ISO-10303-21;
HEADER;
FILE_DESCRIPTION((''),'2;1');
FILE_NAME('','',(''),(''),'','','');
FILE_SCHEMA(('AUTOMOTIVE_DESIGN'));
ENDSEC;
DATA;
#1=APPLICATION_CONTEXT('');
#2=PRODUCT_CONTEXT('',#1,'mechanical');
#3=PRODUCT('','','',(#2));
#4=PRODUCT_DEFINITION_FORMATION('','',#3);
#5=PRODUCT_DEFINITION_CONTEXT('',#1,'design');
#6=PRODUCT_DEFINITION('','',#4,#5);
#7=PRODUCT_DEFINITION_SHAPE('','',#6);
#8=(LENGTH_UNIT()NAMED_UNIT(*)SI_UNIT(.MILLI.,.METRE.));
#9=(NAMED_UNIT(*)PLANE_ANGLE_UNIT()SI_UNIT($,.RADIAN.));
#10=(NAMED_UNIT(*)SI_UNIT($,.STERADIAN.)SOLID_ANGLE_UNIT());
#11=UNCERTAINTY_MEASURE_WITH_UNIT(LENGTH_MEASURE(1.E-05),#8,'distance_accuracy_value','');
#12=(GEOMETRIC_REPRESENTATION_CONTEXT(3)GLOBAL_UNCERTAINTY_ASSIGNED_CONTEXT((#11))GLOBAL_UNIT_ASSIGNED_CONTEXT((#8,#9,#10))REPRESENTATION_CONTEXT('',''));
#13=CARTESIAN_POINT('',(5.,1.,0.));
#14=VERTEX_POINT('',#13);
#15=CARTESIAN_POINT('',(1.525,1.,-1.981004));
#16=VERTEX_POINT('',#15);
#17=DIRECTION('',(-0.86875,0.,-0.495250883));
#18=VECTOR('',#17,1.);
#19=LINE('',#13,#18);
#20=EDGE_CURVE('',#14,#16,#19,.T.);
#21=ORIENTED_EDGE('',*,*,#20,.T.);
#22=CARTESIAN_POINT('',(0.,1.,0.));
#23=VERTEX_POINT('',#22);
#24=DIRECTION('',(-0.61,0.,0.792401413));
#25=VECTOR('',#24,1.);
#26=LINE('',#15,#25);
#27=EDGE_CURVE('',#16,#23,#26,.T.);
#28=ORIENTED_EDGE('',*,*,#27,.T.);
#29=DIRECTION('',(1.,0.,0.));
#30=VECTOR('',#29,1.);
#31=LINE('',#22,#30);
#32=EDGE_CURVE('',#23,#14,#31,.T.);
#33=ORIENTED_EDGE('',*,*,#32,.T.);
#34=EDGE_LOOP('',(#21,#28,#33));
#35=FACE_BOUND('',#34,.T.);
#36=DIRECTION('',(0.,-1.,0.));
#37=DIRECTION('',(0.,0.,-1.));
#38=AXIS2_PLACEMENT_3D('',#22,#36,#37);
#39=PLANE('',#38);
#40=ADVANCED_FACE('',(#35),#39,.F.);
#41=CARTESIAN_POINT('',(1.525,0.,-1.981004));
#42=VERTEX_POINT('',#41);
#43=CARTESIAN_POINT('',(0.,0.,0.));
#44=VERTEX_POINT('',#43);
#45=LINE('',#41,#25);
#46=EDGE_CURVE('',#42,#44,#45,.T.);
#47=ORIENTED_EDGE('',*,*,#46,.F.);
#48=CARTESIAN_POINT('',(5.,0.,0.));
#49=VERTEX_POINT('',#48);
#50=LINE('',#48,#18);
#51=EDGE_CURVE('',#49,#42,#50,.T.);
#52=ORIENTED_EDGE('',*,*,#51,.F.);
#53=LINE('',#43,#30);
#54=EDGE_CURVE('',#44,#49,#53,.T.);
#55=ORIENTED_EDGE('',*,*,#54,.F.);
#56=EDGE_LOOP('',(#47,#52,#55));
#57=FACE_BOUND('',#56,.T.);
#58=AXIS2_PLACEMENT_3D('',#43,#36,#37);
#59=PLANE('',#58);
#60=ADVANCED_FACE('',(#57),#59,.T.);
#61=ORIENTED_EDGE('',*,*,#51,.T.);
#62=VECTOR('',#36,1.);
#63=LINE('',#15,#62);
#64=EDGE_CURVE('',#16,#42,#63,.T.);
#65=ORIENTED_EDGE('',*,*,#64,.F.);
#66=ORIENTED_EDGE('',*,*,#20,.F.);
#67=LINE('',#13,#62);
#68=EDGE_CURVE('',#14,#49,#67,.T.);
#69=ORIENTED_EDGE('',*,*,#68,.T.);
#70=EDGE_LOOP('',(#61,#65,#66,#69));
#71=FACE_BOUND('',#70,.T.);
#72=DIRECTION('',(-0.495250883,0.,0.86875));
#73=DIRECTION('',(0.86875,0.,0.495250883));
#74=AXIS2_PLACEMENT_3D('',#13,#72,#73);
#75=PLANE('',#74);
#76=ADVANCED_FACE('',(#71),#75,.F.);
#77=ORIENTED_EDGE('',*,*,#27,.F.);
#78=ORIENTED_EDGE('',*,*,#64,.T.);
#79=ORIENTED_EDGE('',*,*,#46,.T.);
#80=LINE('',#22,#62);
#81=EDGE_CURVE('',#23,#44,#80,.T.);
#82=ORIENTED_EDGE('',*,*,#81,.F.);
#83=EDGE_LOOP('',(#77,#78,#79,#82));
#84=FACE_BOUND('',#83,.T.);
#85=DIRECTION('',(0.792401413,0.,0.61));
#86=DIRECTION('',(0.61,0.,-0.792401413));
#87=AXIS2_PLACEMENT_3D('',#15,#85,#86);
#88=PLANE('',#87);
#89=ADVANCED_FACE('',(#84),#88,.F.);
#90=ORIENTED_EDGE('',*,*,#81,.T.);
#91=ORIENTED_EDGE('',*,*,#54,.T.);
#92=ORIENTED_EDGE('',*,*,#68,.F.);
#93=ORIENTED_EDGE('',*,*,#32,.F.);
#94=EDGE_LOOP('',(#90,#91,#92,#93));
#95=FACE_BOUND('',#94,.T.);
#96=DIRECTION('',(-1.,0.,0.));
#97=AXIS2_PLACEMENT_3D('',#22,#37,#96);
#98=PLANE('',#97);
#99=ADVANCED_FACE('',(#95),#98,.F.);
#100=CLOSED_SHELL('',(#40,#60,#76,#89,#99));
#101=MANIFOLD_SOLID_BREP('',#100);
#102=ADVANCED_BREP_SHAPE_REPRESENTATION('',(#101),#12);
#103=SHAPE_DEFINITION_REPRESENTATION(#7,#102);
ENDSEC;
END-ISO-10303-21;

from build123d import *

# Parameters (mm, degrees)
BOSS_EXTRUDE1_DEPTH = 1


with BuildPart() as part:
    # Sketch2 → Boss-Extrude1 (new body)
    with BuildSketch(Plane(origin=(0, 0, 0), x_dir=(1, 0, 0), z_dir=(0, 1, 0))):
        Polygon((0, 0), (5, 0), (1.525, 1.981003534), align=None)
    extrude(amount=BOSS_EXTRUDE1_DEPTH)


solid = part.part
